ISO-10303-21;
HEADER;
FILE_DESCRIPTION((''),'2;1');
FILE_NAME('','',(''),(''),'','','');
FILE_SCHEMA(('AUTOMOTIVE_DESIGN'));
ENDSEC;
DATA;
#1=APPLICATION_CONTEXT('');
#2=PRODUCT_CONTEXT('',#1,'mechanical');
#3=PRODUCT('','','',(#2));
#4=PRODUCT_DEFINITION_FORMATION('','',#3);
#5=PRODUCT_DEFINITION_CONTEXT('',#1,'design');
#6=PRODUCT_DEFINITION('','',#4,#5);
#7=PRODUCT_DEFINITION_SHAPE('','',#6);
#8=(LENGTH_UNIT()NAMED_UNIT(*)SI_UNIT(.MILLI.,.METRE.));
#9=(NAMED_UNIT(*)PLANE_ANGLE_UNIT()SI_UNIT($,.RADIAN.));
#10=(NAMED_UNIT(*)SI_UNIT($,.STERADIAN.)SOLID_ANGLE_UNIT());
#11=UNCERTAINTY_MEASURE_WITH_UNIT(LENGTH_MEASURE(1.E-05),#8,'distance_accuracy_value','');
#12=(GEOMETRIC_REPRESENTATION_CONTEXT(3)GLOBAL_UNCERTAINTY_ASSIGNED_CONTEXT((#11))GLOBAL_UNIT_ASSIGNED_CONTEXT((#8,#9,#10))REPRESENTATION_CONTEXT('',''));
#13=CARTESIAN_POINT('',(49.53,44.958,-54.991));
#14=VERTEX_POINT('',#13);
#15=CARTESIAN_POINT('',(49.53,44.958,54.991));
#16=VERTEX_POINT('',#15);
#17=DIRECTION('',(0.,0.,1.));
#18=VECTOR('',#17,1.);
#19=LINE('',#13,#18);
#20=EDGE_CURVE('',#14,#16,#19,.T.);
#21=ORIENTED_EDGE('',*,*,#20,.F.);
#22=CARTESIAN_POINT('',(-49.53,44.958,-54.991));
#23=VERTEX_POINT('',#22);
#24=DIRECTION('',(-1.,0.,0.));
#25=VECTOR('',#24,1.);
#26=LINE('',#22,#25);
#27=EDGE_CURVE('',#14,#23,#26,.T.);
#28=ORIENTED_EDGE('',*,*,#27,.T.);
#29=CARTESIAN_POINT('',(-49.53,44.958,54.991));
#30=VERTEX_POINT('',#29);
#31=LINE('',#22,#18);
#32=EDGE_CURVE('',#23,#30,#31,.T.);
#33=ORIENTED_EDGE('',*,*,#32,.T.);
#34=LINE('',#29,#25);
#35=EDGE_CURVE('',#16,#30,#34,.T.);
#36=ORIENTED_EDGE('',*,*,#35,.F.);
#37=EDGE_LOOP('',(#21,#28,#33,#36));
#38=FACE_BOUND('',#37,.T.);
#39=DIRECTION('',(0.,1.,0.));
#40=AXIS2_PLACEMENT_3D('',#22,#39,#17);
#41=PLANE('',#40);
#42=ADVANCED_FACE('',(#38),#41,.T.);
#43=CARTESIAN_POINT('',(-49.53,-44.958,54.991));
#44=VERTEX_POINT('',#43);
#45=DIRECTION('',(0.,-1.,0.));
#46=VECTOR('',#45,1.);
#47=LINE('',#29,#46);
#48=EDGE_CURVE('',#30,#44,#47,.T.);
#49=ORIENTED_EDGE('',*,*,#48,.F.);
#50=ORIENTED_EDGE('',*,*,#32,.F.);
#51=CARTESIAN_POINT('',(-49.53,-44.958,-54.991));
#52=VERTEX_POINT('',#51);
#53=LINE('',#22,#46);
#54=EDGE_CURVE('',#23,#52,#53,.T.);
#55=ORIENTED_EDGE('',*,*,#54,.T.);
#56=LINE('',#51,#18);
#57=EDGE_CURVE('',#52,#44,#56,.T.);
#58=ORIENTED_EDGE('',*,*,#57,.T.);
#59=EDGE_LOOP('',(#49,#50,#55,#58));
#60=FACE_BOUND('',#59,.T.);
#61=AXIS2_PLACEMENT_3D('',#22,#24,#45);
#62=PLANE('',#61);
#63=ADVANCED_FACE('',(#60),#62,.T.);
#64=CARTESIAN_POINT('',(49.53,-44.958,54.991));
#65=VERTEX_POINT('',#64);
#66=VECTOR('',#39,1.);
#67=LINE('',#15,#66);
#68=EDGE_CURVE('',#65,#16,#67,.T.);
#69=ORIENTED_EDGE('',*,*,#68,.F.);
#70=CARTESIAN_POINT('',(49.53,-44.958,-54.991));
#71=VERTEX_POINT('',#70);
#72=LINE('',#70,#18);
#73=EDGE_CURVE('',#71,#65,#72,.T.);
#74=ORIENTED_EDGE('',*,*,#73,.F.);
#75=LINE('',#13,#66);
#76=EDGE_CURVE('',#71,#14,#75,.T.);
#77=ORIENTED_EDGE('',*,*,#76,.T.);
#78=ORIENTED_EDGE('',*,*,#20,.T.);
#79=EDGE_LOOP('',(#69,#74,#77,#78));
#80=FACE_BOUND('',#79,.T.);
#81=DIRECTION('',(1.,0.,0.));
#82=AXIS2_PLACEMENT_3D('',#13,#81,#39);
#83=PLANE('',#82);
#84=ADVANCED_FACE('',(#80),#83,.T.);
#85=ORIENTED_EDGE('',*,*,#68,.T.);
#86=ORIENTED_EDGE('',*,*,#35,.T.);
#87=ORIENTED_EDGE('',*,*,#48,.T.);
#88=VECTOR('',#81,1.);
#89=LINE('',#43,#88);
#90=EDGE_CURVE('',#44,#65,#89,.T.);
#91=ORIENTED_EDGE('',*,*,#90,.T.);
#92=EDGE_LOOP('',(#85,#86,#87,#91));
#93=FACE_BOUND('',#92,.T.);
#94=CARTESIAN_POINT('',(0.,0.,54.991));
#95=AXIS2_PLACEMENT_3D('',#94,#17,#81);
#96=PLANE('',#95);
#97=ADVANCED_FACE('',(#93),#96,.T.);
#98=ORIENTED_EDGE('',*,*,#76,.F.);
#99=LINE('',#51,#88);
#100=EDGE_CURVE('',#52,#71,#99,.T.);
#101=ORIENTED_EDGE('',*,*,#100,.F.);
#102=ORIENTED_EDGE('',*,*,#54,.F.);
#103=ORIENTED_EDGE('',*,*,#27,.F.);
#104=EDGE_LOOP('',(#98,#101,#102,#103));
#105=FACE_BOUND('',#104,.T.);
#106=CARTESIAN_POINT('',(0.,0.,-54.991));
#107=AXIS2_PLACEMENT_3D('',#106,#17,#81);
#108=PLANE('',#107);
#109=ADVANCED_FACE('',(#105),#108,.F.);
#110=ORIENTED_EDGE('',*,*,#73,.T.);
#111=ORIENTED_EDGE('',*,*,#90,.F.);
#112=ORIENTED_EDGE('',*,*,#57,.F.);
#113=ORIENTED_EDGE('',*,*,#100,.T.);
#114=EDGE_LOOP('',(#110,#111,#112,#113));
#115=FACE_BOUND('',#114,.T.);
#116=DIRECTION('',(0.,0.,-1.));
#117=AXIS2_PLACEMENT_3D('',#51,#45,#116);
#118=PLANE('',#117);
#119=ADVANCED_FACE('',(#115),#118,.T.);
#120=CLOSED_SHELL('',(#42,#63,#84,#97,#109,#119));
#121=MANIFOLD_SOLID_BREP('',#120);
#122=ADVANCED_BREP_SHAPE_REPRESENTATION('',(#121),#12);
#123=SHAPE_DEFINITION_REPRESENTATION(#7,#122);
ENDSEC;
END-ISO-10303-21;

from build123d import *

# Parameters (mm, degrees)
Y_KSEKLIK_EKSTR_ZYON1_DEPTH      = 54.991
Y_KSEKLIK_EKSTR_ZYON1_DEPTH_BACK = 54.991
IZIM1_W                          = 99.06
IZIM1_H                          = 89.916


with BuildPart() as part:
    # Çizim1 → Yükseklik-Ekstrüzyon1 (new, two sides: drawn at the far end of the back side and taken through both)
    with BuildSketch(Plane.XY.offset(-Y_KSEKLIK_EKSTR_ZYON1_DEPTH_BACK)):
        Rectangle(IZIM1_W, IZIM1_H)
    extrude(amount=Y_KSEKLIK_EKSTR_ZYON1_DEPTH + Y_KSEKLIK_EKSTR_ZYON1_DEPTH_BACK)


solid = part.part
